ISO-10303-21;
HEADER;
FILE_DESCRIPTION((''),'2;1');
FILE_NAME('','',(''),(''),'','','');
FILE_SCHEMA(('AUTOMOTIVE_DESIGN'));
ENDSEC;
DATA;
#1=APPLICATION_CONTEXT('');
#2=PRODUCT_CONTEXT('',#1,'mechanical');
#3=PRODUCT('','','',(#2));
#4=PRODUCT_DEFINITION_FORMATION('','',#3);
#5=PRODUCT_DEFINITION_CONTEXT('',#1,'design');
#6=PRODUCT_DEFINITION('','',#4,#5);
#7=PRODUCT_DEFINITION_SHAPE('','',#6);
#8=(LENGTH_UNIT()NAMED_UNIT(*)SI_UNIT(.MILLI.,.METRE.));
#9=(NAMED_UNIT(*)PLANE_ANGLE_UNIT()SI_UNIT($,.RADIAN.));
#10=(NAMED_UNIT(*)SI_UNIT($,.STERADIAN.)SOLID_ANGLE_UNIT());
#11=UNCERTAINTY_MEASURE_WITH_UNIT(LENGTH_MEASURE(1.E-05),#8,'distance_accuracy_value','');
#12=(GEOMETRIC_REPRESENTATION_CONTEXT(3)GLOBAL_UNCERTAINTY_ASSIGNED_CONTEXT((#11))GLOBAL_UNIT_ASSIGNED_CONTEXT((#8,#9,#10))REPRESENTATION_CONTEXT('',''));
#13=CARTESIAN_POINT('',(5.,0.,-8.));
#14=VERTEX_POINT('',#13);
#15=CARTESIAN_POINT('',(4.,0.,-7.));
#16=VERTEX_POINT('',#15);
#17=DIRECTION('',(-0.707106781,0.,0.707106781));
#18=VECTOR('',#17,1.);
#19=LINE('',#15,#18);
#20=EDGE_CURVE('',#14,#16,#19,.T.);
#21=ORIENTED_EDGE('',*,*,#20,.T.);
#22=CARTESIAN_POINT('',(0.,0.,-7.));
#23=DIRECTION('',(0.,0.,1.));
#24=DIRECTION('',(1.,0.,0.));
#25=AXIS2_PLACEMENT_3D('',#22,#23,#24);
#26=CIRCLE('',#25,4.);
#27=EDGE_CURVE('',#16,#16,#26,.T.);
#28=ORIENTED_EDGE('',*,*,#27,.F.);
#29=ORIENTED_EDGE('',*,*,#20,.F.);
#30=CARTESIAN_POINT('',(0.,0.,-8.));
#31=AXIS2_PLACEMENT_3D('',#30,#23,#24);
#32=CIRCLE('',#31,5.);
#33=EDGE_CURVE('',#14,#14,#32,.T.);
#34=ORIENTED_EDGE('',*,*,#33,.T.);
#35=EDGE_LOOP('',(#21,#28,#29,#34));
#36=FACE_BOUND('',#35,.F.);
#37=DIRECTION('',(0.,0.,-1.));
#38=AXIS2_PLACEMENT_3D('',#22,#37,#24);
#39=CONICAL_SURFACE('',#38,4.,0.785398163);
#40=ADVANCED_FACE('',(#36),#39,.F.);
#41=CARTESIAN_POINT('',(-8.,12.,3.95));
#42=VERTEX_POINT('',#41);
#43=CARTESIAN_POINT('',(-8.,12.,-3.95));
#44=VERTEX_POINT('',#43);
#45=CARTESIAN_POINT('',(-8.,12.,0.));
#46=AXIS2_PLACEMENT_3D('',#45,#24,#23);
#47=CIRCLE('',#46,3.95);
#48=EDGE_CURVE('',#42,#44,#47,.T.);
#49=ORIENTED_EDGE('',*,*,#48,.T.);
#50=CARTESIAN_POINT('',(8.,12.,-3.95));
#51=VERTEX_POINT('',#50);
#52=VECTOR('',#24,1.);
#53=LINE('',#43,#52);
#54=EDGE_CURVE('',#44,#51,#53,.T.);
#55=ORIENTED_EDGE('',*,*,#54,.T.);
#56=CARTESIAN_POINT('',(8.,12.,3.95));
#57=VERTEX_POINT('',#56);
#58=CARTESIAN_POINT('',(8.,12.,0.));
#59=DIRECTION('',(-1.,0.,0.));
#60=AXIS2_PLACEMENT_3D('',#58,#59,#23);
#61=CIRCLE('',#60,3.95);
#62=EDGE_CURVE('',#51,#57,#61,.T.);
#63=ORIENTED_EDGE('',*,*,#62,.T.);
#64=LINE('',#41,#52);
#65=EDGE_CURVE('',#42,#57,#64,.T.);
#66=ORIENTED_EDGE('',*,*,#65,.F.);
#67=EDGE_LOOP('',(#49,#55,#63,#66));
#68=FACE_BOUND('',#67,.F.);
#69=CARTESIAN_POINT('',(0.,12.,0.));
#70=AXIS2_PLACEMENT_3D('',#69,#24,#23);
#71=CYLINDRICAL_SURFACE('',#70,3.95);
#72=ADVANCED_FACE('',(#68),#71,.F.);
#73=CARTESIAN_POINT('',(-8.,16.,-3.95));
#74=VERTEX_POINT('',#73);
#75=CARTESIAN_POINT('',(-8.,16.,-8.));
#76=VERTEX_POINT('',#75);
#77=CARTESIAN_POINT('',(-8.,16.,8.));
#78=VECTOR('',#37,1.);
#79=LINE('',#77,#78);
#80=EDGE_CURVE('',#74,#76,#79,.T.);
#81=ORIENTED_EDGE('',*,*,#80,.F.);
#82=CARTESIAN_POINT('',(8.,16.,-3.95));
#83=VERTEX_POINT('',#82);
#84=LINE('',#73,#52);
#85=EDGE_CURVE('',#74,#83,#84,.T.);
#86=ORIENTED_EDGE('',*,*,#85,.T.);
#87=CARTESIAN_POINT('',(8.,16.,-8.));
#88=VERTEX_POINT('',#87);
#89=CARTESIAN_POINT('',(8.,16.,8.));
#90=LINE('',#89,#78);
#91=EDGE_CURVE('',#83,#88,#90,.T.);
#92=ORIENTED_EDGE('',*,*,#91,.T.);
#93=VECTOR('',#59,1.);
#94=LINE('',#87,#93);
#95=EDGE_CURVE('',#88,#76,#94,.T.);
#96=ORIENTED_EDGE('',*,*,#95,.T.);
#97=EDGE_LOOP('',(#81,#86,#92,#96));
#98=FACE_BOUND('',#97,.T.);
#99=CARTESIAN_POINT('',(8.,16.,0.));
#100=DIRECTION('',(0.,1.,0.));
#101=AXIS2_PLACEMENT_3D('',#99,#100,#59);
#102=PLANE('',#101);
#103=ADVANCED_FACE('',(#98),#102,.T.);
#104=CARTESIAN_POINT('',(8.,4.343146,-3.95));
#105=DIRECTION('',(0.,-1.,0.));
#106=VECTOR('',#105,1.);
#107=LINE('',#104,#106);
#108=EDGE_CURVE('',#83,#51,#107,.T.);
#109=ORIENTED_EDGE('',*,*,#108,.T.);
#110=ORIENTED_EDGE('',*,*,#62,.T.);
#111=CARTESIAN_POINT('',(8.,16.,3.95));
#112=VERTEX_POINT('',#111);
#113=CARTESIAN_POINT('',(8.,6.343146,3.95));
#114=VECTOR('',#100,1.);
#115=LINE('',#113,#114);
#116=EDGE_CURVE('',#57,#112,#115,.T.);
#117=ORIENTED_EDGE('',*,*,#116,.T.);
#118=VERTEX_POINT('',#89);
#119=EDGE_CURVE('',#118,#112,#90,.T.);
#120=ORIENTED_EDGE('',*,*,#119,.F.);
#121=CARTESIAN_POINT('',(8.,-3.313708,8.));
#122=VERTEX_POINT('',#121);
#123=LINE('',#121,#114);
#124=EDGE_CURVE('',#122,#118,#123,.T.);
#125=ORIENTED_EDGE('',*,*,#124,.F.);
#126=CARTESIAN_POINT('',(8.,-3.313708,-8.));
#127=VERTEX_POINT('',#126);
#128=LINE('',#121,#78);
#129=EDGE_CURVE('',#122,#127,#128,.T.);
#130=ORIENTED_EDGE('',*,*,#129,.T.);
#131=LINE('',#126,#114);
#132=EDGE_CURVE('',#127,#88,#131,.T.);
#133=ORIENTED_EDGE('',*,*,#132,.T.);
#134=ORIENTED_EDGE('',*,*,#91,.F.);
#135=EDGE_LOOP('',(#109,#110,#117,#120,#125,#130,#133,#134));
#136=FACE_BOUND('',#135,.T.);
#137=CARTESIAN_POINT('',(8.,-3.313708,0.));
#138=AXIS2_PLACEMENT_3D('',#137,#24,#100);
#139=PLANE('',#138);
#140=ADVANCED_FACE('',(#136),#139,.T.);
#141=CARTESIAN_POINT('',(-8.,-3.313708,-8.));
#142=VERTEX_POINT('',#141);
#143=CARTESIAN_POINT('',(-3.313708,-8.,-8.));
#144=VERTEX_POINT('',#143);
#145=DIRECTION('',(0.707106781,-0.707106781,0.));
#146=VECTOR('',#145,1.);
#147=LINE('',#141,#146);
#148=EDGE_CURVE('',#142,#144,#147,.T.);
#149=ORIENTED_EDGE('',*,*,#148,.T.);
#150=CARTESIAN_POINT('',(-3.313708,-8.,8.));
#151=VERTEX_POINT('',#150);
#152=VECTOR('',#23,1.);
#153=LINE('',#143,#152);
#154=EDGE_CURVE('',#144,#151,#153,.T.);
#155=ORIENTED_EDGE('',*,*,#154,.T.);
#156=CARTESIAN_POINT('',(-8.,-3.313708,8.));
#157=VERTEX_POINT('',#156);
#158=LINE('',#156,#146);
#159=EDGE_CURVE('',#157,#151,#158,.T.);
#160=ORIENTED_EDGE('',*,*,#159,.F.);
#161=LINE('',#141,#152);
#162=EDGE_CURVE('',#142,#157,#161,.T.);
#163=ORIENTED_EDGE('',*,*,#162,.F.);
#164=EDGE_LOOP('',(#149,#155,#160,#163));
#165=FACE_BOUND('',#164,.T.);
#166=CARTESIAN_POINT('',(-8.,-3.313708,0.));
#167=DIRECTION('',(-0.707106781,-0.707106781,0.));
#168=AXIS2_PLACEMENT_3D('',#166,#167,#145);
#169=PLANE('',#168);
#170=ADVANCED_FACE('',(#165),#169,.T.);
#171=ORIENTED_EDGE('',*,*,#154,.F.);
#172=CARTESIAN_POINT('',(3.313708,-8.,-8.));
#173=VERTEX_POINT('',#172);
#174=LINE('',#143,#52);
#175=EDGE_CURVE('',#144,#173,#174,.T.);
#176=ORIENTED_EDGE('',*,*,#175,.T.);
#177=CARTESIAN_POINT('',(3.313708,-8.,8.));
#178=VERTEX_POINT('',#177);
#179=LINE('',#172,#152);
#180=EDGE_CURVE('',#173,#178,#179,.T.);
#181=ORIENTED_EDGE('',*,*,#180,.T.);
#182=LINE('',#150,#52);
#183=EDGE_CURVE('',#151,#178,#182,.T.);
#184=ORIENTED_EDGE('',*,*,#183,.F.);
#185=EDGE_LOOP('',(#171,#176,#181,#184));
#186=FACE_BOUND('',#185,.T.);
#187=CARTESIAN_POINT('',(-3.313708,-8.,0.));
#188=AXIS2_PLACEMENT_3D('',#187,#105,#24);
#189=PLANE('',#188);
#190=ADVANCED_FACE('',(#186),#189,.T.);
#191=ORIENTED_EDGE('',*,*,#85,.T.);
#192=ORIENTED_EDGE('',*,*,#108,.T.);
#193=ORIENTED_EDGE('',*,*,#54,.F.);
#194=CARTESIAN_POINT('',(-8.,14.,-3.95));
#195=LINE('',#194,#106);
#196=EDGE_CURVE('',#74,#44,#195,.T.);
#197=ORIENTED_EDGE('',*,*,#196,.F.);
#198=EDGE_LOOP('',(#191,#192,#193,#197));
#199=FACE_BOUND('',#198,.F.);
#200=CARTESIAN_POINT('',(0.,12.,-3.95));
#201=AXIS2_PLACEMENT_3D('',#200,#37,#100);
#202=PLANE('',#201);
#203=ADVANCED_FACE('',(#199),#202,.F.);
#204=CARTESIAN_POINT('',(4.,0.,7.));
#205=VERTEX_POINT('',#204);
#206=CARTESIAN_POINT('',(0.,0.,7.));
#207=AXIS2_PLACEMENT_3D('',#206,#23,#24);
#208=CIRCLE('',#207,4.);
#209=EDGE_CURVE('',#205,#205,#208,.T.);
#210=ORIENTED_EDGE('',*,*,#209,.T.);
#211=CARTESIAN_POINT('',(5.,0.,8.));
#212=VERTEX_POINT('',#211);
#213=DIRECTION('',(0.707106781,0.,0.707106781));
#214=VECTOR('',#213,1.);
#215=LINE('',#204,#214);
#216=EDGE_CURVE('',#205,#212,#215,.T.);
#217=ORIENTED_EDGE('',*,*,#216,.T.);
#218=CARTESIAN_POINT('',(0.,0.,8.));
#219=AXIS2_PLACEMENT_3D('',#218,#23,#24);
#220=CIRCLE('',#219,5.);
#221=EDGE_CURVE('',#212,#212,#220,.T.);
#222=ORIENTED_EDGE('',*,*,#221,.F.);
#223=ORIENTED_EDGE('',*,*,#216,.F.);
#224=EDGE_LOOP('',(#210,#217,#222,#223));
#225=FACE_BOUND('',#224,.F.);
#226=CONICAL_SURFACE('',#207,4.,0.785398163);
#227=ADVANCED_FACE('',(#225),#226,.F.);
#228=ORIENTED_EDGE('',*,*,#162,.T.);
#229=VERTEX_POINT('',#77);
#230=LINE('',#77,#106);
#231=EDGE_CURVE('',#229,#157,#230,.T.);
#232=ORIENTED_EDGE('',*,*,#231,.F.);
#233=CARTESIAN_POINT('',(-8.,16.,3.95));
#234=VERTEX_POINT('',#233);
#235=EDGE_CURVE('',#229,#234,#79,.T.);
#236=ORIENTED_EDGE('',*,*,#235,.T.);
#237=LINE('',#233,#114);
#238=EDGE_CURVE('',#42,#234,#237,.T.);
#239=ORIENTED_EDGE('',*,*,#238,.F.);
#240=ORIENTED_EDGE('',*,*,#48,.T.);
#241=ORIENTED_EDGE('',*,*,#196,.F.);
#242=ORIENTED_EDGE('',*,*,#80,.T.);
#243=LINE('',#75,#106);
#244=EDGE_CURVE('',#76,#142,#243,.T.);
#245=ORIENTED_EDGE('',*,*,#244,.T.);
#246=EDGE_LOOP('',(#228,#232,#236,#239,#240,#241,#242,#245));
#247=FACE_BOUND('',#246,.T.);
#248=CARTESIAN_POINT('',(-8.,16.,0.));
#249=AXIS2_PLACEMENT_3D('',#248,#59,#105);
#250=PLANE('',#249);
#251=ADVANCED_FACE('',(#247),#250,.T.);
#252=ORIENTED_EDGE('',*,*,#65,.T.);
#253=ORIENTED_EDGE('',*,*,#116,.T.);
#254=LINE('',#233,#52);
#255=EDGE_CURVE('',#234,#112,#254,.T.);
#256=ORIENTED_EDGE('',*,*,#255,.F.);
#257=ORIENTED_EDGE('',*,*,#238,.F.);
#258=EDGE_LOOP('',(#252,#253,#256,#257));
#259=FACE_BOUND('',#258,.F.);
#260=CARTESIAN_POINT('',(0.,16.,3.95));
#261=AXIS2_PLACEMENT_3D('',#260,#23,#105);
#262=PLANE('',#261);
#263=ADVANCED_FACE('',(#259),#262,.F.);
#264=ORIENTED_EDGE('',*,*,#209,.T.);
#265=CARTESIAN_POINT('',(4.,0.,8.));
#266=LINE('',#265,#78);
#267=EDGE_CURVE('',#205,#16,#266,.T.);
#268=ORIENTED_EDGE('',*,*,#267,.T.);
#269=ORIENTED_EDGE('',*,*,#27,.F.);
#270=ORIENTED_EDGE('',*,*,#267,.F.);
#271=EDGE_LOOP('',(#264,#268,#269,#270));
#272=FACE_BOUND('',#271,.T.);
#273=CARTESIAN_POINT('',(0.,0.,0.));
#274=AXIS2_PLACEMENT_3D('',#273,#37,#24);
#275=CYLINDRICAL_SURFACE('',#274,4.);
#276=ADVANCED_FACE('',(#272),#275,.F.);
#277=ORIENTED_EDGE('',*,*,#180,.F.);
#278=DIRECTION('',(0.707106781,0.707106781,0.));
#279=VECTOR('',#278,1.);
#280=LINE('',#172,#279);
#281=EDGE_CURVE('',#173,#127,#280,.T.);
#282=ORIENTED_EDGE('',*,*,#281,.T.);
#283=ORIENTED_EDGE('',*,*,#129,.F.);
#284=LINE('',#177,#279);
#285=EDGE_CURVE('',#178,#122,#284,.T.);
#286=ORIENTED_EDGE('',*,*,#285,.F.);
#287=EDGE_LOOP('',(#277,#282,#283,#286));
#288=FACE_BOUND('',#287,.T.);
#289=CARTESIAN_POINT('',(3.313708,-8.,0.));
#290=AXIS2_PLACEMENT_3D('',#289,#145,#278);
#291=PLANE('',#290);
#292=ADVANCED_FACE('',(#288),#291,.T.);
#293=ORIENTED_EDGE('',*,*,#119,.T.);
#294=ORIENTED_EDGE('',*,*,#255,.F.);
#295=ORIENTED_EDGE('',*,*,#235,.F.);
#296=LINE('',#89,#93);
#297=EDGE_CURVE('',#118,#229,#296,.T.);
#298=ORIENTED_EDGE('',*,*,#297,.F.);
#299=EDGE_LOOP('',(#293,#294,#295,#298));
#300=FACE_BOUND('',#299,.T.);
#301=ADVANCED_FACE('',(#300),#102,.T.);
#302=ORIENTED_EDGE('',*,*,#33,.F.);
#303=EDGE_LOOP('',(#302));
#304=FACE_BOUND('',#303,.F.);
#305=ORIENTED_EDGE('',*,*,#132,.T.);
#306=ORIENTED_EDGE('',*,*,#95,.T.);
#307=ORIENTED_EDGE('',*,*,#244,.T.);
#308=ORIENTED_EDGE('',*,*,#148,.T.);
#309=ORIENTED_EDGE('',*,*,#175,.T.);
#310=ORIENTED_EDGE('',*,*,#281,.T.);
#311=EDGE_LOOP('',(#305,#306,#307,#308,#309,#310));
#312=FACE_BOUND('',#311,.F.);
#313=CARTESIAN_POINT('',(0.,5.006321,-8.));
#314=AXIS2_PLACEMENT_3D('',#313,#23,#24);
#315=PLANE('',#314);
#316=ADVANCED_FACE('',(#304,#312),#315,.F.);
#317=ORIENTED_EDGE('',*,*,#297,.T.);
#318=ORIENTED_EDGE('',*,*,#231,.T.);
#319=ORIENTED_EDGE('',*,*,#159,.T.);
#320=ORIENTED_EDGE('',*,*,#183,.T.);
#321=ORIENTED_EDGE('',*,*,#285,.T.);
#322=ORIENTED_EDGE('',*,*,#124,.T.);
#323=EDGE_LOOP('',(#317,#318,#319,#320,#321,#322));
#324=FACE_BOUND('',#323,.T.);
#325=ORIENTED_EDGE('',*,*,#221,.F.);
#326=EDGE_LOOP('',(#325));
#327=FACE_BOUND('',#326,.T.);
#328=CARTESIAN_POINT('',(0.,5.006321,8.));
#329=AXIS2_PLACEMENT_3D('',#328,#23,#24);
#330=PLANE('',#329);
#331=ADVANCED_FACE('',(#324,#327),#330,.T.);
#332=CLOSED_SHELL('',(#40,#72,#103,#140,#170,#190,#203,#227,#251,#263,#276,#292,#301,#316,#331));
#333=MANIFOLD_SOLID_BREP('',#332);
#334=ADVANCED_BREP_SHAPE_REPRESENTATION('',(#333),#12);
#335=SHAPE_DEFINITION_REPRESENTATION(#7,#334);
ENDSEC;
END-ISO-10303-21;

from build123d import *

# Parameters (mm, degrees)
F0_R          = 4
F1_DEPTH      = 8
F3_DEPTH      = 8.001
F3_DEPTH_BACK = 8.001
F4_SIZE       = 1


with BuildPart() as f1:
    # F0 (on Top) → F1 (new body, symmetric)
    with BuildSketch(Plane.XY):
        Polygon((-8, 16), (-8, 0), (-8, -3.313708499), (-3.313708499, -8), (3.313708499, -8), (8, -3.313708499), (8, 0), (8, 16), align=None)
        Circle(F0_R, mode=Mode.SUBTRACT)
    extrude(amount=F1_DEPTH, both=True)

    # F2 (on Right) → F3 (cut, two sides)
    with BuildSketch(Plane.YZ) as f3_sk:
        with BuildLine():
            Line((16, 3.95), (12, 3.95))
            ThreePointArc((12, 3.95), (8.05, 0), (12, -3.95))
            Line((12, -3.95), (16, -3.95))
            Line((16, -3.95), (16, 3.95))
        make_face()
    extrude(amount=-F3_DEPTH, mode=Mode.SUBTRACT)
    extrude(f3_sk.sketch, amount=F3_DEPTH_BACK, mode=Mode.SUBTRACT)

    # F4
    f4_edges = [f1.edges().sort_by_distance(p)[0] for p in [
        (-4, 0, 8),
        (-4, 0, -8),
    ]]
    chamfer(f4_edges, length=F4_SIZE)


solid = f1.part
